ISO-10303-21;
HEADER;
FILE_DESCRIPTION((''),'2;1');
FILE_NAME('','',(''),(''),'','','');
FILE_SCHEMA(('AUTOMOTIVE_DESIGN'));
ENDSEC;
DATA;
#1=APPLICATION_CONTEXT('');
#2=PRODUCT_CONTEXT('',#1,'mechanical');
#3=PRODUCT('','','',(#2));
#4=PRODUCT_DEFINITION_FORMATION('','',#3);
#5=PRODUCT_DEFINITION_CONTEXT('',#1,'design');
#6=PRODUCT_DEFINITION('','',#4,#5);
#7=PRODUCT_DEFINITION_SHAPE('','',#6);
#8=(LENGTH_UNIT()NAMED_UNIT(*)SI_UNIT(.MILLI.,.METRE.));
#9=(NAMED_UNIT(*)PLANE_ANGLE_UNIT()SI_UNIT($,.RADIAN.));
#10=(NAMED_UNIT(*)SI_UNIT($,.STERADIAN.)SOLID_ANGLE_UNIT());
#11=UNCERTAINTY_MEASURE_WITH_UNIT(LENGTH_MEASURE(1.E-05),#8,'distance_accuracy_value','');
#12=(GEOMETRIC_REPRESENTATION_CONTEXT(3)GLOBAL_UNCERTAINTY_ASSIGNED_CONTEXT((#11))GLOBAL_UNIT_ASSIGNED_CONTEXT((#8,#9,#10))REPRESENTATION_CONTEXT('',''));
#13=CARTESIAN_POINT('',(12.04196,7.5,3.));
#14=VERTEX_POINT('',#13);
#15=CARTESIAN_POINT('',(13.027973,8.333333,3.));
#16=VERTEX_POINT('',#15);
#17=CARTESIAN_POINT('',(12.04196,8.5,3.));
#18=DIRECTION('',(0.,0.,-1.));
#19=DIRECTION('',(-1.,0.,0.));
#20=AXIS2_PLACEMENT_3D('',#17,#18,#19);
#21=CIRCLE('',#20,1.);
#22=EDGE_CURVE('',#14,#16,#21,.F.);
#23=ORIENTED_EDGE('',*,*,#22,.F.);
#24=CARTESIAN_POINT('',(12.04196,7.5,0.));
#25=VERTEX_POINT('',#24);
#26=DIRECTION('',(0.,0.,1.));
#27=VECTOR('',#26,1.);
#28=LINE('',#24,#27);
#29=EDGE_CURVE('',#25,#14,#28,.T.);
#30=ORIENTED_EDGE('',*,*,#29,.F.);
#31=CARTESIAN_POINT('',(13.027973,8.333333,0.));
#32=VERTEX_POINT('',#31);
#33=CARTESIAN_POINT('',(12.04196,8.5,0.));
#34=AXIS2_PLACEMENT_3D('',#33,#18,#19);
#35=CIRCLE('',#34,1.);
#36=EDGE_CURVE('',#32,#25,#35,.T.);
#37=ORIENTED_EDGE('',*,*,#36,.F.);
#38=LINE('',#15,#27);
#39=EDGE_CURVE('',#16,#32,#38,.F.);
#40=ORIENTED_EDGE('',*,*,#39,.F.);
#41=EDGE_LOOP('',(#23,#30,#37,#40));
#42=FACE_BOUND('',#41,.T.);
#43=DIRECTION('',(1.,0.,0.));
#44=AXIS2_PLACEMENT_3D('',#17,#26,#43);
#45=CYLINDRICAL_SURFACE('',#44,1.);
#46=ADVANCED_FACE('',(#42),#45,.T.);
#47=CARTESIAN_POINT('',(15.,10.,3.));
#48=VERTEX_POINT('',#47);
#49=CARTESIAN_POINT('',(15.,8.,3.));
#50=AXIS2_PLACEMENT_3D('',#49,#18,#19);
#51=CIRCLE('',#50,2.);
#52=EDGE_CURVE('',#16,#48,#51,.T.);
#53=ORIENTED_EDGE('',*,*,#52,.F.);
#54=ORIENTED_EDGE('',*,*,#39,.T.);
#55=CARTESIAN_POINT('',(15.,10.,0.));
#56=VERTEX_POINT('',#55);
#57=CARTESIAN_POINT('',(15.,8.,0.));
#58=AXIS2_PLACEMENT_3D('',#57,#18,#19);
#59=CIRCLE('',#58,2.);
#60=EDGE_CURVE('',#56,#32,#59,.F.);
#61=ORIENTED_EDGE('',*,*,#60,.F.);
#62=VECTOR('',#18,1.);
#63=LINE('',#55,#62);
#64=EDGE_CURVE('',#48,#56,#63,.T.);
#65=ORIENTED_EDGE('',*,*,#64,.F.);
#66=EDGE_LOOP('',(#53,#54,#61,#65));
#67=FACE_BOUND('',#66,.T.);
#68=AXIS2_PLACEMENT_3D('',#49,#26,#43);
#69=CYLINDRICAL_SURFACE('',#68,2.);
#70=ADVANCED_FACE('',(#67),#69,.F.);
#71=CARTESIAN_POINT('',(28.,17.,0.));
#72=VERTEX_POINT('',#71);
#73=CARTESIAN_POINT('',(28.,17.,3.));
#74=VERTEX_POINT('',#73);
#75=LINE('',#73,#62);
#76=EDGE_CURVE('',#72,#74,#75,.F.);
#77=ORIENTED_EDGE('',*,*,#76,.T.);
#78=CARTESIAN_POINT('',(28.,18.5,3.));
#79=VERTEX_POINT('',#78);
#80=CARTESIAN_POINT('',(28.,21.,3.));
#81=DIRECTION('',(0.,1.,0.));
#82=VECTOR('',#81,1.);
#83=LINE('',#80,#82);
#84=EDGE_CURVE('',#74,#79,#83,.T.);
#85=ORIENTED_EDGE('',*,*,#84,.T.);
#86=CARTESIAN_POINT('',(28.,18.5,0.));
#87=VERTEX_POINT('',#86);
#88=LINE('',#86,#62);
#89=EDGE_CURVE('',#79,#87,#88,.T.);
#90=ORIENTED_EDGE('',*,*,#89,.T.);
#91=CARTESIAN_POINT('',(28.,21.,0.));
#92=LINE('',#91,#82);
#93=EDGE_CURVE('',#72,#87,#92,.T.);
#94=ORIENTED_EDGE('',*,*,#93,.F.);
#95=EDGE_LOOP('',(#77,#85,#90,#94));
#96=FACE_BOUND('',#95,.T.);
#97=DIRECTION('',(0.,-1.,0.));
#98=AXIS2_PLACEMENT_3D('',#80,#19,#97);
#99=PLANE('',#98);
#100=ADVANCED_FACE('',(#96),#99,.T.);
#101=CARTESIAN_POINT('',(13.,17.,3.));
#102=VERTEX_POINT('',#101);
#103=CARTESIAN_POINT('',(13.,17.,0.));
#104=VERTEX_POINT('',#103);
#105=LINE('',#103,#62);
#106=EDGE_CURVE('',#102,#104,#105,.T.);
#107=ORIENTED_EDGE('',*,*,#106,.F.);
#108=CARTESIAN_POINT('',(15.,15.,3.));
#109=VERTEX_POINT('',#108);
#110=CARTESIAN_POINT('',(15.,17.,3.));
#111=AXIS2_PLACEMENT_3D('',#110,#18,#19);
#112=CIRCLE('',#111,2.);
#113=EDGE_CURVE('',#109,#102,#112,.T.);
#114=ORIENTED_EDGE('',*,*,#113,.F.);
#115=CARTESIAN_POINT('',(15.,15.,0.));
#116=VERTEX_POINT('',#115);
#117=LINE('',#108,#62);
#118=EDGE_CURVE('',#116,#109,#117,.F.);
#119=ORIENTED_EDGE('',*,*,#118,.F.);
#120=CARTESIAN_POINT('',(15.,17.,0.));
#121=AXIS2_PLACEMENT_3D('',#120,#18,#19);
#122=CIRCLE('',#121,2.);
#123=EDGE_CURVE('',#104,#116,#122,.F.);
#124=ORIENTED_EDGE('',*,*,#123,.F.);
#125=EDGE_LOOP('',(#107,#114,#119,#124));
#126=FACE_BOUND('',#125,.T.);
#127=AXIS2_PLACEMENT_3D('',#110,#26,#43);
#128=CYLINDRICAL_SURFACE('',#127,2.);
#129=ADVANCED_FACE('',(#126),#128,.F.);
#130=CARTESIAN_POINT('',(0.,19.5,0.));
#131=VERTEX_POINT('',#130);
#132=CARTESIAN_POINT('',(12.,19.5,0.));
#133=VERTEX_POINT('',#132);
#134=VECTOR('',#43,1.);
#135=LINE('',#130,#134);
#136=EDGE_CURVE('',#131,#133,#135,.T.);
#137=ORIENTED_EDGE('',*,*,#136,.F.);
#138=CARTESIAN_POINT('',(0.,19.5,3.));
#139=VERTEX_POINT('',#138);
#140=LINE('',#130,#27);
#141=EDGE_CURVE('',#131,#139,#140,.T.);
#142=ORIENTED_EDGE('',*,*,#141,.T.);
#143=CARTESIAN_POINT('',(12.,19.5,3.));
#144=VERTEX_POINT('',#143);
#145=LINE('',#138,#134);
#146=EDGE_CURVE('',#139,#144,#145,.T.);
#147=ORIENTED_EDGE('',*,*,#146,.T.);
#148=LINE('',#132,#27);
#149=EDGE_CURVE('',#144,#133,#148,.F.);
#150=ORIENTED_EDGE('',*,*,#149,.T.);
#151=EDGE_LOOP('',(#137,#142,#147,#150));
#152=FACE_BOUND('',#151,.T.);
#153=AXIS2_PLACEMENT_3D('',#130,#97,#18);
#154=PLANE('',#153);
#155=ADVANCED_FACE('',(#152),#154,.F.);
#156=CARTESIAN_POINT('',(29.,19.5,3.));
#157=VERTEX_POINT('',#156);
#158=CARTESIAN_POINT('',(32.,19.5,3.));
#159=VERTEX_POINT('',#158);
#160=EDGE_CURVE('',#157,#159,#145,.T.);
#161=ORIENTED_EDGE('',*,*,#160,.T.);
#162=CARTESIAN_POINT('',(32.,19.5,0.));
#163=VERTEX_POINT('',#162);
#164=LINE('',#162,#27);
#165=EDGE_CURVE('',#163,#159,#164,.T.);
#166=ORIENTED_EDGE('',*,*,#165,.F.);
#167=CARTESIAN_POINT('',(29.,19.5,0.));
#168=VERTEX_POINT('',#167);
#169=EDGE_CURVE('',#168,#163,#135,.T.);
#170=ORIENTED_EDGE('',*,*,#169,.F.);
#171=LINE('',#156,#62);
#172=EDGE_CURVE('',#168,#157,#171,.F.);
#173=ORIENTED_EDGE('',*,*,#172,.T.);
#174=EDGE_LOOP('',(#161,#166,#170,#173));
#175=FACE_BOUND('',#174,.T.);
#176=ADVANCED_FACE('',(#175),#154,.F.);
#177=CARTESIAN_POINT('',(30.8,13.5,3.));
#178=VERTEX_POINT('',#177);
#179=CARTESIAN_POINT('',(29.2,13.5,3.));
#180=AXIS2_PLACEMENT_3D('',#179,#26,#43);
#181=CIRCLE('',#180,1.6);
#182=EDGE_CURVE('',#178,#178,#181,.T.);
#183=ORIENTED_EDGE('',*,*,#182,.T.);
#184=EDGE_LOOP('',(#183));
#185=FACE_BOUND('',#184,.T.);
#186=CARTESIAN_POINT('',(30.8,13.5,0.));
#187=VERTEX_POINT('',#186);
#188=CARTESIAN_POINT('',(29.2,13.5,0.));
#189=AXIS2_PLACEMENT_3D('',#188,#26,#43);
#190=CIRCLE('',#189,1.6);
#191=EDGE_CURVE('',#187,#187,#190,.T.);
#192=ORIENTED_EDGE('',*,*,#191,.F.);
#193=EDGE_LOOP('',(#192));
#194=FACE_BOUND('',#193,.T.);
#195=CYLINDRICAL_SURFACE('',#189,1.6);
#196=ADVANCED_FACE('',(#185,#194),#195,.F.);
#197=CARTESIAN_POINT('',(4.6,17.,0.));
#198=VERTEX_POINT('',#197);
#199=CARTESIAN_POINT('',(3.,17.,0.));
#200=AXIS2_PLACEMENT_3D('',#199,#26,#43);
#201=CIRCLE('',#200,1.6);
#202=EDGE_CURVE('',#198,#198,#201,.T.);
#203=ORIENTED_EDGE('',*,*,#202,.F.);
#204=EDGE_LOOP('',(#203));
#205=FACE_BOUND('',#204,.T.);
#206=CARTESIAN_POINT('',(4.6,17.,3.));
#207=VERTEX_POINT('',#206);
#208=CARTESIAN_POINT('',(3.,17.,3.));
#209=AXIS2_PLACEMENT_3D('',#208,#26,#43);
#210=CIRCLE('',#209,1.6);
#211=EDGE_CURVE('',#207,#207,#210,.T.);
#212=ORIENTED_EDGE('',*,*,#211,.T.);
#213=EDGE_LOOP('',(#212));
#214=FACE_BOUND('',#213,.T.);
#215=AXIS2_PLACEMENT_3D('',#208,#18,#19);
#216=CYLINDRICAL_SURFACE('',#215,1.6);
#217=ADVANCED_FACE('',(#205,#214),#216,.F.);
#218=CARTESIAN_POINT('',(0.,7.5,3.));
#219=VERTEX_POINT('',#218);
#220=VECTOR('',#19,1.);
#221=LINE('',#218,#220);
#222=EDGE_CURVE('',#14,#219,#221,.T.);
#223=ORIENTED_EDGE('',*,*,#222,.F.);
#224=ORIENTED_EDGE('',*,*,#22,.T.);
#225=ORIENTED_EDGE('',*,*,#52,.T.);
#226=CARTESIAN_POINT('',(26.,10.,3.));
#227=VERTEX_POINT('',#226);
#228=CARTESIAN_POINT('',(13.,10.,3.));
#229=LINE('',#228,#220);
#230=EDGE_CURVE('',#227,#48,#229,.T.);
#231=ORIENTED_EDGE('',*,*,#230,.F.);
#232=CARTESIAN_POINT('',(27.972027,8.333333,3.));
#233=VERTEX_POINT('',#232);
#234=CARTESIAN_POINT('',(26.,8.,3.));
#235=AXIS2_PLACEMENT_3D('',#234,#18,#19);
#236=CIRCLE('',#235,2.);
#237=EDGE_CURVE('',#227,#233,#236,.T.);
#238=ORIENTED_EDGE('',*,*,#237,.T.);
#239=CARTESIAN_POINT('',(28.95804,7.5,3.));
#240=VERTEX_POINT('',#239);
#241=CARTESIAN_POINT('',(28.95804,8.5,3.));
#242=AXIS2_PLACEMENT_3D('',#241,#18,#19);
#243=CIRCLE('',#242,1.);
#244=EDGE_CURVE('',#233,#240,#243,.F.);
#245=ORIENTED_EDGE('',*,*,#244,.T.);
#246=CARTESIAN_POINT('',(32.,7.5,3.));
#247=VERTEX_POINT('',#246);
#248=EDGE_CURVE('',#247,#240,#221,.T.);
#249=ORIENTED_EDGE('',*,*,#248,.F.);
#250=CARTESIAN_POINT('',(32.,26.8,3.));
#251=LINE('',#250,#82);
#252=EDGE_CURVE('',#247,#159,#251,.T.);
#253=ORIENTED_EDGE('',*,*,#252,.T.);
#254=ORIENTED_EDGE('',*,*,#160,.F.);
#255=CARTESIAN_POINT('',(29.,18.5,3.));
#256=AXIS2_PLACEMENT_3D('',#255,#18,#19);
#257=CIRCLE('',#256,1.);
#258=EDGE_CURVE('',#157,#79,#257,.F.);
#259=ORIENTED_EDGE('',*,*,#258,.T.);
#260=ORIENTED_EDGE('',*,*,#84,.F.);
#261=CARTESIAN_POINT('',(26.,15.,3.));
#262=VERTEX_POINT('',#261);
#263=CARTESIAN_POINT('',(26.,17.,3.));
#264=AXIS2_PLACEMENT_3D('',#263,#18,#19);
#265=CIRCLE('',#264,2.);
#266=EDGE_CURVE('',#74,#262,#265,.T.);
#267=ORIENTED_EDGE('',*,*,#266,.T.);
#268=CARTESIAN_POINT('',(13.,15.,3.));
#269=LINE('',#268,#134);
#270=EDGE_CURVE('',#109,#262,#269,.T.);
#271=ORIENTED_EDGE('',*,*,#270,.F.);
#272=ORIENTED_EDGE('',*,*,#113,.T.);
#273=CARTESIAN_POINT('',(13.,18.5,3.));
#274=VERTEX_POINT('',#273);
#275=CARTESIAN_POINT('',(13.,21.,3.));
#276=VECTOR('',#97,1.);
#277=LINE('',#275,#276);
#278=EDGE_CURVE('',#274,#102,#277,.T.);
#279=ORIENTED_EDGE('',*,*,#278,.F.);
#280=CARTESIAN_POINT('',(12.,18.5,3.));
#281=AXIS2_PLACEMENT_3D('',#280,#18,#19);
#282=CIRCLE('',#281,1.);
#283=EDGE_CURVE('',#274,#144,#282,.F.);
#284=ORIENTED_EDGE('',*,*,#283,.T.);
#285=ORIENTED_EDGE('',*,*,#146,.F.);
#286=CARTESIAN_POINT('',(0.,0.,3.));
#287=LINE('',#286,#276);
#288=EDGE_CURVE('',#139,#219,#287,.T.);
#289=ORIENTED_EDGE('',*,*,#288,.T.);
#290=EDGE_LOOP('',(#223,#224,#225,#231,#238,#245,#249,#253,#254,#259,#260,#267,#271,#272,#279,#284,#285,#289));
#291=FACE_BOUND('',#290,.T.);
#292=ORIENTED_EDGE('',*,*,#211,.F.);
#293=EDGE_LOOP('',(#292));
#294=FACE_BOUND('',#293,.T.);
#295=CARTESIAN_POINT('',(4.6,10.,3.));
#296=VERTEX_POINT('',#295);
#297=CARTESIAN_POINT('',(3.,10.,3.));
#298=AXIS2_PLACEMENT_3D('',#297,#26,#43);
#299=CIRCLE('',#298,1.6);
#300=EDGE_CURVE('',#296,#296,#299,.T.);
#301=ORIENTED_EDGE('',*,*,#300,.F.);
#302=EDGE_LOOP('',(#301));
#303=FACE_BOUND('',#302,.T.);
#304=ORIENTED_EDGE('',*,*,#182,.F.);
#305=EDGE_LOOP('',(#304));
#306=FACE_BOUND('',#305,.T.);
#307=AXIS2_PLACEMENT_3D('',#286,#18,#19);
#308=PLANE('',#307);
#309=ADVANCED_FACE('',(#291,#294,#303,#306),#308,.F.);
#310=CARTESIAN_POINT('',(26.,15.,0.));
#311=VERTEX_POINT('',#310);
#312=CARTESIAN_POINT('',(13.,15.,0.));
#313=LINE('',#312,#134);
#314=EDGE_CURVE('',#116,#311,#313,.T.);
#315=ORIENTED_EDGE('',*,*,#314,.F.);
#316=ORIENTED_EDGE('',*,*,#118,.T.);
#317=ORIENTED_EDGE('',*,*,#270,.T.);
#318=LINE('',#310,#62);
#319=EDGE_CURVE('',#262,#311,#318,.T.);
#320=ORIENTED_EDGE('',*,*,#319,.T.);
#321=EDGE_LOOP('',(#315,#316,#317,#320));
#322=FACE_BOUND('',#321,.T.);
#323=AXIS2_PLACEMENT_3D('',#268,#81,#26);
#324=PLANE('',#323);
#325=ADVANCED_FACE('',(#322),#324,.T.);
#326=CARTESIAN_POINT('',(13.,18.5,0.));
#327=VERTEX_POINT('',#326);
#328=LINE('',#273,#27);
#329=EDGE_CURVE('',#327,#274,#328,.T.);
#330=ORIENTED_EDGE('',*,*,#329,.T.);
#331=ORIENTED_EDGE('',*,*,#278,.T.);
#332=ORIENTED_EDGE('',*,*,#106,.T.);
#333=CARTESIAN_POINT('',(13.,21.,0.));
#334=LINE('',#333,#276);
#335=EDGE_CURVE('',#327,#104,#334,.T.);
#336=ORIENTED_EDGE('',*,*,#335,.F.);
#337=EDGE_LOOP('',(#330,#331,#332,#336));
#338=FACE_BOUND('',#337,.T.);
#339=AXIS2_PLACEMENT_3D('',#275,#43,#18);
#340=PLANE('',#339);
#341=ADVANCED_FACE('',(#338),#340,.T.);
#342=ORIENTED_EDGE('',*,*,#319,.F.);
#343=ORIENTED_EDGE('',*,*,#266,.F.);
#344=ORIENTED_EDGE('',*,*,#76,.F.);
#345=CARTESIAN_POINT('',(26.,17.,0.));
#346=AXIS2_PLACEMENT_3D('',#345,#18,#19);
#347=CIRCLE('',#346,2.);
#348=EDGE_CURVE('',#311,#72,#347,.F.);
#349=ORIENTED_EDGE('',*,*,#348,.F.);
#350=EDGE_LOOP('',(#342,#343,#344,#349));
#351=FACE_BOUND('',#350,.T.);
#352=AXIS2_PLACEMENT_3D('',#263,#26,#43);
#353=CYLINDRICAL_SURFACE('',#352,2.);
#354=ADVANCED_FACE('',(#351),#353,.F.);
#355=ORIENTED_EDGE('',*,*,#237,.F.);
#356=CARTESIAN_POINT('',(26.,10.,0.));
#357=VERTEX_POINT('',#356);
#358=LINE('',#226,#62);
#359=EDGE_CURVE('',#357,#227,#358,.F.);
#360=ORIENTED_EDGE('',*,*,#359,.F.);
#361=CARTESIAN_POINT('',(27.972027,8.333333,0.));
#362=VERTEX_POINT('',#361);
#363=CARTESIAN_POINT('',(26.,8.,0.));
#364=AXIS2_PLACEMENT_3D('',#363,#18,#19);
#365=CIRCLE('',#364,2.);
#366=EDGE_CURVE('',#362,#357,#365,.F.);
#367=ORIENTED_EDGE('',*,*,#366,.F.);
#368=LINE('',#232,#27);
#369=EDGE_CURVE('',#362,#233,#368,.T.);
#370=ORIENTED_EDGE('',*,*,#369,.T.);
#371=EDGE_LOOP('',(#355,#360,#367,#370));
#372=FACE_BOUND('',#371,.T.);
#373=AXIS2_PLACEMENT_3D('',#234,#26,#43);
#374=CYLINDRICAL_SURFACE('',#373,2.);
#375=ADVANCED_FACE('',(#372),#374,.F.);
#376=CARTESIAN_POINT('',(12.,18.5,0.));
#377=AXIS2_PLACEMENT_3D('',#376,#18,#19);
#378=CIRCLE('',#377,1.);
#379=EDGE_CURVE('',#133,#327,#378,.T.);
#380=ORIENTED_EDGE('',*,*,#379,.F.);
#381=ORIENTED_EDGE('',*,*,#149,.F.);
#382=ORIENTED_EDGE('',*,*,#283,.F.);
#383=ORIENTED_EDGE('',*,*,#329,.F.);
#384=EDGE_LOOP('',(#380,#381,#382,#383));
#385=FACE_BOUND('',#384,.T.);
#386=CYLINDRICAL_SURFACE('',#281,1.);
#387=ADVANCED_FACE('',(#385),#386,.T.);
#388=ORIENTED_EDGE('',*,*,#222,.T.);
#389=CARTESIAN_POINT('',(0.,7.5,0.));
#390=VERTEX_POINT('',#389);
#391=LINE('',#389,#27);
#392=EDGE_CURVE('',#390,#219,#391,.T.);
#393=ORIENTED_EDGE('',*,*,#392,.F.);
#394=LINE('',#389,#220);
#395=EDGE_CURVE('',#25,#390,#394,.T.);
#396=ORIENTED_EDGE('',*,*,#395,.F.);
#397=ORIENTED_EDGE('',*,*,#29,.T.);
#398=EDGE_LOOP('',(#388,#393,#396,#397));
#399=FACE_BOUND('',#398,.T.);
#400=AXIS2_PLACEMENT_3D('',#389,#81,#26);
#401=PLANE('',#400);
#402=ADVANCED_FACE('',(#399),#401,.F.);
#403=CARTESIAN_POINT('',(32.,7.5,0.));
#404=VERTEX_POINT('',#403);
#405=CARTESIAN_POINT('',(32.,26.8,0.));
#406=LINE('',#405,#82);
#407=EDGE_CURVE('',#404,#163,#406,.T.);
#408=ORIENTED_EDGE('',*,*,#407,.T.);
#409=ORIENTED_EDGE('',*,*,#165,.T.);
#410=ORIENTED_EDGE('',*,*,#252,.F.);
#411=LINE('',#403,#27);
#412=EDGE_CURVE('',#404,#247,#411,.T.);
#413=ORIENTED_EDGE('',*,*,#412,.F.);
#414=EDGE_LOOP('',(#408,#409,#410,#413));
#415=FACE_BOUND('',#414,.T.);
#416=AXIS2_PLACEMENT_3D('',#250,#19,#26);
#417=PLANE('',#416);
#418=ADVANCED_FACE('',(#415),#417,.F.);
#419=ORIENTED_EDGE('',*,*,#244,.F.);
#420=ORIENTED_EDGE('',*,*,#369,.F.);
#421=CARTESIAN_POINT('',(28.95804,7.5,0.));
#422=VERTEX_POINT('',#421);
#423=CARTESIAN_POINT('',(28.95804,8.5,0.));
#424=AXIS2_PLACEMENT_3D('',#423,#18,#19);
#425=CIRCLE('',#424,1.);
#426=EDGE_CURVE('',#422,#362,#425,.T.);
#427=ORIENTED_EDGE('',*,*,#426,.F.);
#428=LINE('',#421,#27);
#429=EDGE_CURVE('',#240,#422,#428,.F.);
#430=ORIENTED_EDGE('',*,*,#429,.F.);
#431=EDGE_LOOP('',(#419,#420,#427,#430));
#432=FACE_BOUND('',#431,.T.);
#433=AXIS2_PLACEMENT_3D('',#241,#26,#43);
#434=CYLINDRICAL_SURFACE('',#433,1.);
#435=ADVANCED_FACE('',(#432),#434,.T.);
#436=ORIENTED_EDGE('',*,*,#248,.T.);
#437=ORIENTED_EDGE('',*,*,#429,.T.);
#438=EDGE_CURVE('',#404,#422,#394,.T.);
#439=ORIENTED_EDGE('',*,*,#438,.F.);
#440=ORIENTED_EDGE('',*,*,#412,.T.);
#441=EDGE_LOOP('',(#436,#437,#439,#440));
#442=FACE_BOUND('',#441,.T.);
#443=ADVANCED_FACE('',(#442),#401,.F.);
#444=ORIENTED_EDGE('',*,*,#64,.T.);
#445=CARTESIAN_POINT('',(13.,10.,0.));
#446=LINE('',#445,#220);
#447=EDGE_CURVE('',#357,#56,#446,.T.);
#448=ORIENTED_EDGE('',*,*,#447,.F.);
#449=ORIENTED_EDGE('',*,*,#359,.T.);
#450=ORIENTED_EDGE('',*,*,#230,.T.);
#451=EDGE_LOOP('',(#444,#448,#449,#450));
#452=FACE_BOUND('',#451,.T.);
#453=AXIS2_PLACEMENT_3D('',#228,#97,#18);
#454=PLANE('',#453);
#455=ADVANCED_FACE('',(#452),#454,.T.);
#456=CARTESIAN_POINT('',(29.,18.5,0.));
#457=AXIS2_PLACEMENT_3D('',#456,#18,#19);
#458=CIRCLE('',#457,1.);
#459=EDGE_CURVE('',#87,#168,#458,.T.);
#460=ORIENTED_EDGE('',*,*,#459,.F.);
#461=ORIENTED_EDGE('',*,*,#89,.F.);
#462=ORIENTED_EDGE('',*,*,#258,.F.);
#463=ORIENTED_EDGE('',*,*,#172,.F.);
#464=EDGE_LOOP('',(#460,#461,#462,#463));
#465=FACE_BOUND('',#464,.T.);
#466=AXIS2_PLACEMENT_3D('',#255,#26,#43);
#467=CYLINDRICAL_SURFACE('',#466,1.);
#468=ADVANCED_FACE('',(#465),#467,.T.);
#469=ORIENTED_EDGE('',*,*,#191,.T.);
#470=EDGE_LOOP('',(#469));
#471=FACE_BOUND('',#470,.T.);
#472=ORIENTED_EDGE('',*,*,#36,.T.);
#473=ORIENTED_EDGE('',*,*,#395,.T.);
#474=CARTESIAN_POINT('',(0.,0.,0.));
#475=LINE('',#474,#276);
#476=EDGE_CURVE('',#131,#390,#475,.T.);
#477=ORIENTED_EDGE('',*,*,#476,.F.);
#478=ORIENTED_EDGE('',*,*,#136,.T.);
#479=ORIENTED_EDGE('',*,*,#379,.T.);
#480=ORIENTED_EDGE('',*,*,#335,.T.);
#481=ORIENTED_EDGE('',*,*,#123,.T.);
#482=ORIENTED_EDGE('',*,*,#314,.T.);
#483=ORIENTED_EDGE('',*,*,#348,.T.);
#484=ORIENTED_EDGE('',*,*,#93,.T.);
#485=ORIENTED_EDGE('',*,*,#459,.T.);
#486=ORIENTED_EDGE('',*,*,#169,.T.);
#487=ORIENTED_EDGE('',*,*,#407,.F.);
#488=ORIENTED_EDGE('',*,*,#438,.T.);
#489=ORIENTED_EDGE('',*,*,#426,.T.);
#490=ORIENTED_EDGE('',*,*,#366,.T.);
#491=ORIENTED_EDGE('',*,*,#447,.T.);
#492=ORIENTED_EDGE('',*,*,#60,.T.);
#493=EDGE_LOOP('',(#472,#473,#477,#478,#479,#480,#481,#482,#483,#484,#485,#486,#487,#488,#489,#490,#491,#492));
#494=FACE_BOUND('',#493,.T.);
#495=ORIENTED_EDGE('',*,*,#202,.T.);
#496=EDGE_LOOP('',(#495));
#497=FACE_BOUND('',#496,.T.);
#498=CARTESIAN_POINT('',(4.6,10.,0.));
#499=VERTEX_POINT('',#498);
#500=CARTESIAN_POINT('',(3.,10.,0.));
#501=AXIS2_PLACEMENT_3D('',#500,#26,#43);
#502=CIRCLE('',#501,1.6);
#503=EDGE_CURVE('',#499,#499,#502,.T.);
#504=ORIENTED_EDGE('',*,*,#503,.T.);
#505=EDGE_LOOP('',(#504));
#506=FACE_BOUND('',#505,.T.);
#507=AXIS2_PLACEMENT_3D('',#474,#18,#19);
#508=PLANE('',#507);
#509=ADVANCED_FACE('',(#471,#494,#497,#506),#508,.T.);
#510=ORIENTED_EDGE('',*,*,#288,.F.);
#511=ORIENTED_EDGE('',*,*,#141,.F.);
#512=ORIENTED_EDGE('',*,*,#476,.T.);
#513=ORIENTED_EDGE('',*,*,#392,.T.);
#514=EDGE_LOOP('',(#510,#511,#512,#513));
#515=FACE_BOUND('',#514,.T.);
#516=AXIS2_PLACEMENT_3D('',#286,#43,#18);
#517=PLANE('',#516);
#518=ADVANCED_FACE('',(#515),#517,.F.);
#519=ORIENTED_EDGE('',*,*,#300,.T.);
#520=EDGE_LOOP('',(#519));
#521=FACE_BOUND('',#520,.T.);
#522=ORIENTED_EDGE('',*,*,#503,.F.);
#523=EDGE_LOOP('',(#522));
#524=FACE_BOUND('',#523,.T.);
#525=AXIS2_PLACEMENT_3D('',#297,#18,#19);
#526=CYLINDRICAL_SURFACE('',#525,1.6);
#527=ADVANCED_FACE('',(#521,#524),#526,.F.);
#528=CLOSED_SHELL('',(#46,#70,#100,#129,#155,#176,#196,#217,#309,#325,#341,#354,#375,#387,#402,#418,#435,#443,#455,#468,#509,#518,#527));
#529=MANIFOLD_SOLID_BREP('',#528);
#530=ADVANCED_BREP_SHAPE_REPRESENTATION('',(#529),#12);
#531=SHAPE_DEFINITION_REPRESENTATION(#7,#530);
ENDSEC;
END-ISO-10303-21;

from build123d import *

# Parameters (mm, degrees)
SKETCH_1_R          = 1.6
SKETCH_1_W          = 15
SKETCH_1_H          = 6
EXTRUDE_1_DEPTH     = 3
FILLET_1_R          = 2
FILLET_2_R          = 3
SKETCH_2_R          = 1.6
SKETCH_2_W          = 32
SKETCH_2_H          = 12.112345176
CUT_EXTRUDE_1_DEPTH = 44.829670316
FILLET_3_R          = 1


with BuildPart() as part:
    # 草图1 → 凸台-拉伸1 (new body)
    with BuildSketch(Plane.XY):
        Polygon((0, 0), (0, 26.8), (12, 26.8), (12, 29.8), (22, 29.8), (22, 26.8), (32, 26.8), (32, 0), align=None)
        with Locations((3, 17)):
            Circle(SKETCH_1_R, mode=Mode.SUBTRACT)
        with Locations((3, 10)):
            Circle(SKETCH_1_R, mode=Mode.SUBTRACT)
        with Locations((20.5, 7)):
            Rectangle(SKETCH_1_W, SKETCH_1_H, mode=Mode.SUBTRACT)
        with Locations((20.5, 18)):
            Rectangle(SKETCH_1_W, SKETCH_1_H, mode=Mode.SUBTRACT)
    extrude(amount=EXTRUDE_1_DEPTH)

    # 圆角1
    fillet_1_edges = [part.edges().sort_by_distance(p)[0] for p in [
        (13, 10, 1.5),
        (13, 4, 1.5),
        (28, 4, 1.5),
        (28, 10, 1.5),
        (13, 21, 1.5),
        (13, 15, 1.5),
        (28, 15, 1.5),
        (28, 21, 1.5),
    ]]
    fillet(fillet_1_edges, radius=FILLET_1_R)

    # 圆角2
    fillet_2_edges = [part.edges().sort_by_distance(p)[0] for p in [
        (0, 0, 1.5),
        (32, 0, 1.5),
    ]]
    fillet(fillet_2_edges, radius=FILLET_2_R)

    # 草图2 → 切除-拉伸1 (cut, through all)
    with BuildSketch(Plane.XY.offset(3)):
        with Locations((29.2, 13.5)):
            Circle(SKETCH_2_R)
        with Locations((16, 25.556172588)):
            Rectangle(SKETCH_2_W, SKETCH_2_H)
        with Locations((16, 1.443827412)):
            Rectangle(SKETCH_2_W, SKETCH_2_H)
    extrude(amount=-CUT_EXTRUDE_1_DEPTH, mode=Mode.SUBTRACT)

    # 圆角3
    fillet_3_edges = [part.edges().sort_by_distance(p)[0] for p in [
        (28, 7.5, 1.5),
        (13, 7.5, 1.5),
        (13.063508327, 19.5, 1.5),
        (27.936491673, 19.5, 1.5),
    ]]
    fillet(fillet_3_edges, radius=FILLET_3_R)


solid = part.part
